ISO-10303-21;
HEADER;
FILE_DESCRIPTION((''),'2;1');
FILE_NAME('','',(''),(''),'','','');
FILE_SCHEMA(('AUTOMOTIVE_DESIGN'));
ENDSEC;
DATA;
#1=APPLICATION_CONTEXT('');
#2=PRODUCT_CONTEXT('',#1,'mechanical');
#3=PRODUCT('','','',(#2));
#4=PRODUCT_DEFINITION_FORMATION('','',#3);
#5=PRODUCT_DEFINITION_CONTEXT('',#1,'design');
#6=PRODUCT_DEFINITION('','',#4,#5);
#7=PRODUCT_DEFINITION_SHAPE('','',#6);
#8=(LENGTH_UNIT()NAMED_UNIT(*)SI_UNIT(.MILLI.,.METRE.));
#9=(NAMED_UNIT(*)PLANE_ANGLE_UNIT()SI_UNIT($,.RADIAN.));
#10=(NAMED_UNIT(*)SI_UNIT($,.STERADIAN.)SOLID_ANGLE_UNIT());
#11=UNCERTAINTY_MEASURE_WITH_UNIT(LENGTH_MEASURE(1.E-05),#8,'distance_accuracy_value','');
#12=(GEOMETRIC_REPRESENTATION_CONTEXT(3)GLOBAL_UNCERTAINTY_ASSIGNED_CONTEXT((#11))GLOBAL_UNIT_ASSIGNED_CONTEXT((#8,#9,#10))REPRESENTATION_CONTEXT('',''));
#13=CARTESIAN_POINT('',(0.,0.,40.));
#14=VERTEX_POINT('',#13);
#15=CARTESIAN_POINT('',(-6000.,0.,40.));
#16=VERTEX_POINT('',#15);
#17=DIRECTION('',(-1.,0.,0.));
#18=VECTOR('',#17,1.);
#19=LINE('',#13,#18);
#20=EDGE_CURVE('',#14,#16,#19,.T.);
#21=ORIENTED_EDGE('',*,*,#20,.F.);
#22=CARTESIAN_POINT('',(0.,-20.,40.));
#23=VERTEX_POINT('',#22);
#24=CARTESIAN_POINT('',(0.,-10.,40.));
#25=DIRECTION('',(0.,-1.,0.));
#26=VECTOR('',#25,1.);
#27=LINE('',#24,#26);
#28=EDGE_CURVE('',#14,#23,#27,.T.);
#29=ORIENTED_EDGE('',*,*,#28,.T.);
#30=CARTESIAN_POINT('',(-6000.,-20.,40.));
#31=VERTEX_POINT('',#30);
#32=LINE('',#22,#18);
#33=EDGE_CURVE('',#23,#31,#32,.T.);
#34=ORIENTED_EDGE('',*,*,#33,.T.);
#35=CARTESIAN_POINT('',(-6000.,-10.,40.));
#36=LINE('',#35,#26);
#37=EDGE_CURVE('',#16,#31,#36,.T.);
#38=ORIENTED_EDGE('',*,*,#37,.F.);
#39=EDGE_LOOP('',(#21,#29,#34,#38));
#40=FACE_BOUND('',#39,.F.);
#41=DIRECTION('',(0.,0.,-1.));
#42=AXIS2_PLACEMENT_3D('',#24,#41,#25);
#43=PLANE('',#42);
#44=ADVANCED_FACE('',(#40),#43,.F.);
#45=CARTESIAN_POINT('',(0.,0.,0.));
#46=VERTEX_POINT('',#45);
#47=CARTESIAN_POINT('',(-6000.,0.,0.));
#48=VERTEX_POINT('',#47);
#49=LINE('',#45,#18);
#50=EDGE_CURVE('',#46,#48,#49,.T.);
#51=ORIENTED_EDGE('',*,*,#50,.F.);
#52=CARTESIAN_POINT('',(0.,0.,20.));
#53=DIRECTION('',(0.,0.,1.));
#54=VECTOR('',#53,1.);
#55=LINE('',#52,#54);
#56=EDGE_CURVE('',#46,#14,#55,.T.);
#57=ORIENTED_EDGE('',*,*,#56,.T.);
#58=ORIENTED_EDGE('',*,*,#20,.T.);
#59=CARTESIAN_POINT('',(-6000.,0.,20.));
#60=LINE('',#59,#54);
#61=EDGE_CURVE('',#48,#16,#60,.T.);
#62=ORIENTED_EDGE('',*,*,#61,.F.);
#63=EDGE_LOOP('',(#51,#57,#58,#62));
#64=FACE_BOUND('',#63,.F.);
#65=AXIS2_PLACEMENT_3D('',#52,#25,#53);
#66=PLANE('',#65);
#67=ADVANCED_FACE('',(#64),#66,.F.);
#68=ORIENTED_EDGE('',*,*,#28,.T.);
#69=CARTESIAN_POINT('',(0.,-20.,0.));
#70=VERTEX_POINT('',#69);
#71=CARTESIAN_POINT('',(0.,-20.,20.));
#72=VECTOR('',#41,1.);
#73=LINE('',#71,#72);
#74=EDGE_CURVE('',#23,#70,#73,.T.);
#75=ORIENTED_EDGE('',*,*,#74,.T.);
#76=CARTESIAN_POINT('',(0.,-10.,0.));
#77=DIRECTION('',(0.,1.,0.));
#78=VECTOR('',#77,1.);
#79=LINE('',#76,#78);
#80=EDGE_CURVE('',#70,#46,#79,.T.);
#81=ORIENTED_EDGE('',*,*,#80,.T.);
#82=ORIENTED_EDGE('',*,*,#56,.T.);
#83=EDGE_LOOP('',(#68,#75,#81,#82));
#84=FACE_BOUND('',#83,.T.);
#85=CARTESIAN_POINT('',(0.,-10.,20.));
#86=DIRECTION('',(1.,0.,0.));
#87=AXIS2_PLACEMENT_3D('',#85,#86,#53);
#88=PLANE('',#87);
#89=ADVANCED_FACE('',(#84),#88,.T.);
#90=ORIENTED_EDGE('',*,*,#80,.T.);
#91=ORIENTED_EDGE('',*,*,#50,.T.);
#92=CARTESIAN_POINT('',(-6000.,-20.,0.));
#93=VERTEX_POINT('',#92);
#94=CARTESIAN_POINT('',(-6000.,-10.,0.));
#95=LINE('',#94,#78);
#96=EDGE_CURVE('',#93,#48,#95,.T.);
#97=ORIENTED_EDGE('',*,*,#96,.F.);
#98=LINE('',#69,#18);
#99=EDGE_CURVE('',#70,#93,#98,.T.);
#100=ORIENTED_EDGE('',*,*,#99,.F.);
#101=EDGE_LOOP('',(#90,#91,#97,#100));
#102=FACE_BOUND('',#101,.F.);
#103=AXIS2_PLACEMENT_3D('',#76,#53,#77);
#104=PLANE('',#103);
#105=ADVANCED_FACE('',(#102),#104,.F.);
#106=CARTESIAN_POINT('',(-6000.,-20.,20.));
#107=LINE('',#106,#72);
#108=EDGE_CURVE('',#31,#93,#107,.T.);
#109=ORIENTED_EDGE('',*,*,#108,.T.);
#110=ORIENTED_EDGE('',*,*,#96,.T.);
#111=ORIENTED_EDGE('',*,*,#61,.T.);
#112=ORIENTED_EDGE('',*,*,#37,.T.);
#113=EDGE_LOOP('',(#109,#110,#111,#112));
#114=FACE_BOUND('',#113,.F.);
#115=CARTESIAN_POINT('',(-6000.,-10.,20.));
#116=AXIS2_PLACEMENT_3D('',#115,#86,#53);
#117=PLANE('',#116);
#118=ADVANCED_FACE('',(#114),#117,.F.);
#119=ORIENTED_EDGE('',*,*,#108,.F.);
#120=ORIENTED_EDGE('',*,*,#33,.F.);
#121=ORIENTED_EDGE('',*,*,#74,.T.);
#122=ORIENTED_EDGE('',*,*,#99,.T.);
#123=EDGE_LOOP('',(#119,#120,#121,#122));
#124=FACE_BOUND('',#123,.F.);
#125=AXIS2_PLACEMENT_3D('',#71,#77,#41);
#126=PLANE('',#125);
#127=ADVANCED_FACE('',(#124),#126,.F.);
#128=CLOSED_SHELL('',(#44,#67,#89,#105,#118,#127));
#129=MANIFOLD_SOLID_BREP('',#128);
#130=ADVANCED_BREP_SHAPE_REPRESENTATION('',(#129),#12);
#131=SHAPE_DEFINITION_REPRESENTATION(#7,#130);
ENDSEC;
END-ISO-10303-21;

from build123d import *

# Parameters (mm, degrees)
F0_W = 20
F0_H = 40


with BuildPart() as f2:
    # F2: sweep along a path in F1
    with BuildLine(Plane.XZ) as f2_path:
        Line((0, 0), (-6000, 0))
    # F0 (on Right) → F2 (sweep)
    with BuildSketch(Plane.YZ):
        with Locations((-10, 20)):
            Rectangle(F0_W, F0_H)
    sweep(path=f2_path.line)


solid = f2.part
